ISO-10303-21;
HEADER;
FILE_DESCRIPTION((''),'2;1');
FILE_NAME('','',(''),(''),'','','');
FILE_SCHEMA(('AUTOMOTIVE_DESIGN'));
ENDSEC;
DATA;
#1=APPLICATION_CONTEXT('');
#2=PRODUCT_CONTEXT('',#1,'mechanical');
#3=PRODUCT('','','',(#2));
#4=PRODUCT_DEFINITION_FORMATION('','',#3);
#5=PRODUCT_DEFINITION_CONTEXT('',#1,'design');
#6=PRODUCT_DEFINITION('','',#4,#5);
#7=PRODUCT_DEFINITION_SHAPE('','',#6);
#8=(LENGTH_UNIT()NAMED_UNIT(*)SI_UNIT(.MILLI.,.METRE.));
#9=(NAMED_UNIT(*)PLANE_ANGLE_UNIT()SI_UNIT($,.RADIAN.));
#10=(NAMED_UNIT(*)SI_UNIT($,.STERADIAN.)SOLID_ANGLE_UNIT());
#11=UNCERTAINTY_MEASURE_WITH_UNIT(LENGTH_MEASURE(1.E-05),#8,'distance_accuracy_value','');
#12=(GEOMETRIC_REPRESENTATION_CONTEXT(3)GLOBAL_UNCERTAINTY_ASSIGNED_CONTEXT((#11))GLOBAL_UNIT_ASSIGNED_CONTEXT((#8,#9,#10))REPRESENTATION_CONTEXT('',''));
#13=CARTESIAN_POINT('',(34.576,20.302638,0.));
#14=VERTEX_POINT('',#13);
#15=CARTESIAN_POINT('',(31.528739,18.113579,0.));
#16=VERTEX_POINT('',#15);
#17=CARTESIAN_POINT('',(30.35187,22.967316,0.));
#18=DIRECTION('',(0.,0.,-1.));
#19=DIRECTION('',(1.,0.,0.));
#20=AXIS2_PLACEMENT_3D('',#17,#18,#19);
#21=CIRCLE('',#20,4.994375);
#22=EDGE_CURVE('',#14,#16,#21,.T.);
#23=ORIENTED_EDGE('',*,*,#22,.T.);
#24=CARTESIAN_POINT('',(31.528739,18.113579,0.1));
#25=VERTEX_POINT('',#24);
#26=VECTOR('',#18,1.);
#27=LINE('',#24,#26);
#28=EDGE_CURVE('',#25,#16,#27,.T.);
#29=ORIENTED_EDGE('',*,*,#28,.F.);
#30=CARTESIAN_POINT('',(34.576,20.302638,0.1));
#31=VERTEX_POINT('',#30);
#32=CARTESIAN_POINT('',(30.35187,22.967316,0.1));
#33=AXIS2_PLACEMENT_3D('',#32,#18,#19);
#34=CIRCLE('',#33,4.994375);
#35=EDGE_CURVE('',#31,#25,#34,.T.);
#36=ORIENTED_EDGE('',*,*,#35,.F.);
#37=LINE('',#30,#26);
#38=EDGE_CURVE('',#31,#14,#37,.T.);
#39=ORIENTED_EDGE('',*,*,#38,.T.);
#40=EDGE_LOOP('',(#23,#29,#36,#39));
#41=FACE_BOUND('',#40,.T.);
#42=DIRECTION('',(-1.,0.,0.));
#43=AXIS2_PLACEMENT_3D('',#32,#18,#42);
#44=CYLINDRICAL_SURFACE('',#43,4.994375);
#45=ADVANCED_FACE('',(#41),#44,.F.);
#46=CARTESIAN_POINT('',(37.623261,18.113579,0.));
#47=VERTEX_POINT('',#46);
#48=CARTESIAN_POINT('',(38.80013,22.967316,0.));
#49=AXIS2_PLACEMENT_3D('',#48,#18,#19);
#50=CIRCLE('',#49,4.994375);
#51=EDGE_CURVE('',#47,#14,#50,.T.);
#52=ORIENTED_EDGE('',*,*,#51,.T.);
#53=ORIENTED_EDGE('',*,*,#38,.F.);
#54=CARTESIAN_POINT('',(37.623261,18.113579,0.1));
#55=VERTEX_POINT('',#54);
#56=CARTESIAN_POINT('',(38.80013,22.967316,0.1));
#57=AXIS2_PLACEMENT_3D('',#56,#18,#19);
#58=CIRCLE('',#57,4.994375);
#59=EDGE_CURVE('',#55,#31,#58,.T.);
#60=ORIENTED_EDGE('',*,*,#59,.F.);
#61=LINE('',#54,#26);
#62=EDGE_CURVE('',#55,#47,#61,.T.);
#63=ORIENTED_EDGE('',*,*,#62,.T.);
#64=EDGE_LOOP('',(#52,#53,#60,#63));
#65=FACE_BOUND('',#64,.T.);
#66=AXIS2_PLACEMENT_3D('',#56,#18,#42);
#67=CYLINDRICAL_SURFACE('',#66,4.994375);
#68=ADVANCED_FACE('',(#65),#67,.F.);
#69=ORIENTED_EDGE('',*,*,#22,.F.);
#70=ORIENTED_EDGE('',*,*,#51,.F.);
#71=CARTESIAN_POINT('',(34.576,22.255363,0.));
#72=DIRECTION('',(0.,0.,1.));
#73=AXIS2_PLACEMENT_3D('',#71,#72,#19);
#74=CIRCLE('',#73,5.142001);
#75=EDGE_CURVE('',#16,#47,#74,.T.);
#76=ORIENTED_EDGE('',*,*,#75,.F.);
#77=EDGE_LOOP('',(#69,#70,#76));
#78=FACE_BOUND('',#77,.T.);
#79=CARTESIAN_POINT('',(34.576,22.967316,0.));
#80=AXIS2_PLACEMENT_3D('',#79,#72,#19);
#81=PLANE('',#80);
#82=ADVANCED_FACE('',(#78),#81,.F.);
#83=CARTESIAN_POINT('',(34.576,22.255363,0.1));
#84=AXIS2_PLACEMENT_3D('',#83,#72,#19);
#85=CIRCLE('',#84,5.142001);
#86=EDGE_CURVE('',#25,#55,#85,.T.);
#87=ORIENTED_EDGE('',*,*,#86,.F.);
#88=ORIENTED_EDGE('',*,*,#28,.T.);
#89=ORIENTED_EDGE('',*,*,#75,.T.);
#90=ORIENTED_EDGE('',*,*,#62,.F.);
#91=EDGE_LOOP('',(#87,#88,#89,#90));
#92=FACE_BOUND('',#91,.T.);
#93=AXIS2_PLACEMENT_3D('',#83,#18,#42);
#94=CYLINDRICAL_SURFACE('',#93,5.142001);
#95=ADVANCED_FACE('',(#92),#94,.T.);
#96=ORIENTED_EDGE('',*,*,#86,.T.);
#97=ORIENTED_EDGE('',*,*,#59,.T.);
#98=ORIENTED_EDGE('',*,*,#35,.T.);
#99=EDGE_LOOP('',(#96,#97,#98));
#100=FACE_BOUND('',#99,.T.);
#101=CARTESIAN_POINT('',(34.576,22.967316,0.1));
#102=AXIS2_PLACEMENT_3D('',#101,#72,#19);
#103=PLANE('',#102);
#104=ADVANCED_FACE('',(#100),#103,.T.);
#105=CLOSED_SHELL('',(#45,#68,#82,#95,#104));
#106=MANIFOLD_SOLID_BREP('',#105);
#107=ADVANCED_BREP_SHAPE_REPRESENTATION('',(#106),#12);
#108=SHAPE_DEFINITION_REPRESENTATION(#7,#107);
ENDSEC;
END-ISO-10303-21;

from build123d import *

# Parameters (mm, degrees)
SALIENTE_EXTRUIR1_DEPTH = 0.1


with BuildPart() as part:
    # Model → Saliente-Extruir1 (new body)
    with BuildSketch(Plane.XY):
        with BuildLine():
            ThreePointArc((31.528738572, 18.113579097), (34.576, 17.113361897), (37.623261428, 18.113579097))
            ThreePointArc((37.623261428, 18.113579097), (35.886250929, 18.911075041), (34.576, 20.302638103))
            ThreePointArc((34.576, 20.302638103), (33.265749071, 18.911075041), (31.528738572, 18.113579097))
        make_face()
    extrude(amount=SALIENTE_EXTRUIR1_DEPTH)


solid = part.part
